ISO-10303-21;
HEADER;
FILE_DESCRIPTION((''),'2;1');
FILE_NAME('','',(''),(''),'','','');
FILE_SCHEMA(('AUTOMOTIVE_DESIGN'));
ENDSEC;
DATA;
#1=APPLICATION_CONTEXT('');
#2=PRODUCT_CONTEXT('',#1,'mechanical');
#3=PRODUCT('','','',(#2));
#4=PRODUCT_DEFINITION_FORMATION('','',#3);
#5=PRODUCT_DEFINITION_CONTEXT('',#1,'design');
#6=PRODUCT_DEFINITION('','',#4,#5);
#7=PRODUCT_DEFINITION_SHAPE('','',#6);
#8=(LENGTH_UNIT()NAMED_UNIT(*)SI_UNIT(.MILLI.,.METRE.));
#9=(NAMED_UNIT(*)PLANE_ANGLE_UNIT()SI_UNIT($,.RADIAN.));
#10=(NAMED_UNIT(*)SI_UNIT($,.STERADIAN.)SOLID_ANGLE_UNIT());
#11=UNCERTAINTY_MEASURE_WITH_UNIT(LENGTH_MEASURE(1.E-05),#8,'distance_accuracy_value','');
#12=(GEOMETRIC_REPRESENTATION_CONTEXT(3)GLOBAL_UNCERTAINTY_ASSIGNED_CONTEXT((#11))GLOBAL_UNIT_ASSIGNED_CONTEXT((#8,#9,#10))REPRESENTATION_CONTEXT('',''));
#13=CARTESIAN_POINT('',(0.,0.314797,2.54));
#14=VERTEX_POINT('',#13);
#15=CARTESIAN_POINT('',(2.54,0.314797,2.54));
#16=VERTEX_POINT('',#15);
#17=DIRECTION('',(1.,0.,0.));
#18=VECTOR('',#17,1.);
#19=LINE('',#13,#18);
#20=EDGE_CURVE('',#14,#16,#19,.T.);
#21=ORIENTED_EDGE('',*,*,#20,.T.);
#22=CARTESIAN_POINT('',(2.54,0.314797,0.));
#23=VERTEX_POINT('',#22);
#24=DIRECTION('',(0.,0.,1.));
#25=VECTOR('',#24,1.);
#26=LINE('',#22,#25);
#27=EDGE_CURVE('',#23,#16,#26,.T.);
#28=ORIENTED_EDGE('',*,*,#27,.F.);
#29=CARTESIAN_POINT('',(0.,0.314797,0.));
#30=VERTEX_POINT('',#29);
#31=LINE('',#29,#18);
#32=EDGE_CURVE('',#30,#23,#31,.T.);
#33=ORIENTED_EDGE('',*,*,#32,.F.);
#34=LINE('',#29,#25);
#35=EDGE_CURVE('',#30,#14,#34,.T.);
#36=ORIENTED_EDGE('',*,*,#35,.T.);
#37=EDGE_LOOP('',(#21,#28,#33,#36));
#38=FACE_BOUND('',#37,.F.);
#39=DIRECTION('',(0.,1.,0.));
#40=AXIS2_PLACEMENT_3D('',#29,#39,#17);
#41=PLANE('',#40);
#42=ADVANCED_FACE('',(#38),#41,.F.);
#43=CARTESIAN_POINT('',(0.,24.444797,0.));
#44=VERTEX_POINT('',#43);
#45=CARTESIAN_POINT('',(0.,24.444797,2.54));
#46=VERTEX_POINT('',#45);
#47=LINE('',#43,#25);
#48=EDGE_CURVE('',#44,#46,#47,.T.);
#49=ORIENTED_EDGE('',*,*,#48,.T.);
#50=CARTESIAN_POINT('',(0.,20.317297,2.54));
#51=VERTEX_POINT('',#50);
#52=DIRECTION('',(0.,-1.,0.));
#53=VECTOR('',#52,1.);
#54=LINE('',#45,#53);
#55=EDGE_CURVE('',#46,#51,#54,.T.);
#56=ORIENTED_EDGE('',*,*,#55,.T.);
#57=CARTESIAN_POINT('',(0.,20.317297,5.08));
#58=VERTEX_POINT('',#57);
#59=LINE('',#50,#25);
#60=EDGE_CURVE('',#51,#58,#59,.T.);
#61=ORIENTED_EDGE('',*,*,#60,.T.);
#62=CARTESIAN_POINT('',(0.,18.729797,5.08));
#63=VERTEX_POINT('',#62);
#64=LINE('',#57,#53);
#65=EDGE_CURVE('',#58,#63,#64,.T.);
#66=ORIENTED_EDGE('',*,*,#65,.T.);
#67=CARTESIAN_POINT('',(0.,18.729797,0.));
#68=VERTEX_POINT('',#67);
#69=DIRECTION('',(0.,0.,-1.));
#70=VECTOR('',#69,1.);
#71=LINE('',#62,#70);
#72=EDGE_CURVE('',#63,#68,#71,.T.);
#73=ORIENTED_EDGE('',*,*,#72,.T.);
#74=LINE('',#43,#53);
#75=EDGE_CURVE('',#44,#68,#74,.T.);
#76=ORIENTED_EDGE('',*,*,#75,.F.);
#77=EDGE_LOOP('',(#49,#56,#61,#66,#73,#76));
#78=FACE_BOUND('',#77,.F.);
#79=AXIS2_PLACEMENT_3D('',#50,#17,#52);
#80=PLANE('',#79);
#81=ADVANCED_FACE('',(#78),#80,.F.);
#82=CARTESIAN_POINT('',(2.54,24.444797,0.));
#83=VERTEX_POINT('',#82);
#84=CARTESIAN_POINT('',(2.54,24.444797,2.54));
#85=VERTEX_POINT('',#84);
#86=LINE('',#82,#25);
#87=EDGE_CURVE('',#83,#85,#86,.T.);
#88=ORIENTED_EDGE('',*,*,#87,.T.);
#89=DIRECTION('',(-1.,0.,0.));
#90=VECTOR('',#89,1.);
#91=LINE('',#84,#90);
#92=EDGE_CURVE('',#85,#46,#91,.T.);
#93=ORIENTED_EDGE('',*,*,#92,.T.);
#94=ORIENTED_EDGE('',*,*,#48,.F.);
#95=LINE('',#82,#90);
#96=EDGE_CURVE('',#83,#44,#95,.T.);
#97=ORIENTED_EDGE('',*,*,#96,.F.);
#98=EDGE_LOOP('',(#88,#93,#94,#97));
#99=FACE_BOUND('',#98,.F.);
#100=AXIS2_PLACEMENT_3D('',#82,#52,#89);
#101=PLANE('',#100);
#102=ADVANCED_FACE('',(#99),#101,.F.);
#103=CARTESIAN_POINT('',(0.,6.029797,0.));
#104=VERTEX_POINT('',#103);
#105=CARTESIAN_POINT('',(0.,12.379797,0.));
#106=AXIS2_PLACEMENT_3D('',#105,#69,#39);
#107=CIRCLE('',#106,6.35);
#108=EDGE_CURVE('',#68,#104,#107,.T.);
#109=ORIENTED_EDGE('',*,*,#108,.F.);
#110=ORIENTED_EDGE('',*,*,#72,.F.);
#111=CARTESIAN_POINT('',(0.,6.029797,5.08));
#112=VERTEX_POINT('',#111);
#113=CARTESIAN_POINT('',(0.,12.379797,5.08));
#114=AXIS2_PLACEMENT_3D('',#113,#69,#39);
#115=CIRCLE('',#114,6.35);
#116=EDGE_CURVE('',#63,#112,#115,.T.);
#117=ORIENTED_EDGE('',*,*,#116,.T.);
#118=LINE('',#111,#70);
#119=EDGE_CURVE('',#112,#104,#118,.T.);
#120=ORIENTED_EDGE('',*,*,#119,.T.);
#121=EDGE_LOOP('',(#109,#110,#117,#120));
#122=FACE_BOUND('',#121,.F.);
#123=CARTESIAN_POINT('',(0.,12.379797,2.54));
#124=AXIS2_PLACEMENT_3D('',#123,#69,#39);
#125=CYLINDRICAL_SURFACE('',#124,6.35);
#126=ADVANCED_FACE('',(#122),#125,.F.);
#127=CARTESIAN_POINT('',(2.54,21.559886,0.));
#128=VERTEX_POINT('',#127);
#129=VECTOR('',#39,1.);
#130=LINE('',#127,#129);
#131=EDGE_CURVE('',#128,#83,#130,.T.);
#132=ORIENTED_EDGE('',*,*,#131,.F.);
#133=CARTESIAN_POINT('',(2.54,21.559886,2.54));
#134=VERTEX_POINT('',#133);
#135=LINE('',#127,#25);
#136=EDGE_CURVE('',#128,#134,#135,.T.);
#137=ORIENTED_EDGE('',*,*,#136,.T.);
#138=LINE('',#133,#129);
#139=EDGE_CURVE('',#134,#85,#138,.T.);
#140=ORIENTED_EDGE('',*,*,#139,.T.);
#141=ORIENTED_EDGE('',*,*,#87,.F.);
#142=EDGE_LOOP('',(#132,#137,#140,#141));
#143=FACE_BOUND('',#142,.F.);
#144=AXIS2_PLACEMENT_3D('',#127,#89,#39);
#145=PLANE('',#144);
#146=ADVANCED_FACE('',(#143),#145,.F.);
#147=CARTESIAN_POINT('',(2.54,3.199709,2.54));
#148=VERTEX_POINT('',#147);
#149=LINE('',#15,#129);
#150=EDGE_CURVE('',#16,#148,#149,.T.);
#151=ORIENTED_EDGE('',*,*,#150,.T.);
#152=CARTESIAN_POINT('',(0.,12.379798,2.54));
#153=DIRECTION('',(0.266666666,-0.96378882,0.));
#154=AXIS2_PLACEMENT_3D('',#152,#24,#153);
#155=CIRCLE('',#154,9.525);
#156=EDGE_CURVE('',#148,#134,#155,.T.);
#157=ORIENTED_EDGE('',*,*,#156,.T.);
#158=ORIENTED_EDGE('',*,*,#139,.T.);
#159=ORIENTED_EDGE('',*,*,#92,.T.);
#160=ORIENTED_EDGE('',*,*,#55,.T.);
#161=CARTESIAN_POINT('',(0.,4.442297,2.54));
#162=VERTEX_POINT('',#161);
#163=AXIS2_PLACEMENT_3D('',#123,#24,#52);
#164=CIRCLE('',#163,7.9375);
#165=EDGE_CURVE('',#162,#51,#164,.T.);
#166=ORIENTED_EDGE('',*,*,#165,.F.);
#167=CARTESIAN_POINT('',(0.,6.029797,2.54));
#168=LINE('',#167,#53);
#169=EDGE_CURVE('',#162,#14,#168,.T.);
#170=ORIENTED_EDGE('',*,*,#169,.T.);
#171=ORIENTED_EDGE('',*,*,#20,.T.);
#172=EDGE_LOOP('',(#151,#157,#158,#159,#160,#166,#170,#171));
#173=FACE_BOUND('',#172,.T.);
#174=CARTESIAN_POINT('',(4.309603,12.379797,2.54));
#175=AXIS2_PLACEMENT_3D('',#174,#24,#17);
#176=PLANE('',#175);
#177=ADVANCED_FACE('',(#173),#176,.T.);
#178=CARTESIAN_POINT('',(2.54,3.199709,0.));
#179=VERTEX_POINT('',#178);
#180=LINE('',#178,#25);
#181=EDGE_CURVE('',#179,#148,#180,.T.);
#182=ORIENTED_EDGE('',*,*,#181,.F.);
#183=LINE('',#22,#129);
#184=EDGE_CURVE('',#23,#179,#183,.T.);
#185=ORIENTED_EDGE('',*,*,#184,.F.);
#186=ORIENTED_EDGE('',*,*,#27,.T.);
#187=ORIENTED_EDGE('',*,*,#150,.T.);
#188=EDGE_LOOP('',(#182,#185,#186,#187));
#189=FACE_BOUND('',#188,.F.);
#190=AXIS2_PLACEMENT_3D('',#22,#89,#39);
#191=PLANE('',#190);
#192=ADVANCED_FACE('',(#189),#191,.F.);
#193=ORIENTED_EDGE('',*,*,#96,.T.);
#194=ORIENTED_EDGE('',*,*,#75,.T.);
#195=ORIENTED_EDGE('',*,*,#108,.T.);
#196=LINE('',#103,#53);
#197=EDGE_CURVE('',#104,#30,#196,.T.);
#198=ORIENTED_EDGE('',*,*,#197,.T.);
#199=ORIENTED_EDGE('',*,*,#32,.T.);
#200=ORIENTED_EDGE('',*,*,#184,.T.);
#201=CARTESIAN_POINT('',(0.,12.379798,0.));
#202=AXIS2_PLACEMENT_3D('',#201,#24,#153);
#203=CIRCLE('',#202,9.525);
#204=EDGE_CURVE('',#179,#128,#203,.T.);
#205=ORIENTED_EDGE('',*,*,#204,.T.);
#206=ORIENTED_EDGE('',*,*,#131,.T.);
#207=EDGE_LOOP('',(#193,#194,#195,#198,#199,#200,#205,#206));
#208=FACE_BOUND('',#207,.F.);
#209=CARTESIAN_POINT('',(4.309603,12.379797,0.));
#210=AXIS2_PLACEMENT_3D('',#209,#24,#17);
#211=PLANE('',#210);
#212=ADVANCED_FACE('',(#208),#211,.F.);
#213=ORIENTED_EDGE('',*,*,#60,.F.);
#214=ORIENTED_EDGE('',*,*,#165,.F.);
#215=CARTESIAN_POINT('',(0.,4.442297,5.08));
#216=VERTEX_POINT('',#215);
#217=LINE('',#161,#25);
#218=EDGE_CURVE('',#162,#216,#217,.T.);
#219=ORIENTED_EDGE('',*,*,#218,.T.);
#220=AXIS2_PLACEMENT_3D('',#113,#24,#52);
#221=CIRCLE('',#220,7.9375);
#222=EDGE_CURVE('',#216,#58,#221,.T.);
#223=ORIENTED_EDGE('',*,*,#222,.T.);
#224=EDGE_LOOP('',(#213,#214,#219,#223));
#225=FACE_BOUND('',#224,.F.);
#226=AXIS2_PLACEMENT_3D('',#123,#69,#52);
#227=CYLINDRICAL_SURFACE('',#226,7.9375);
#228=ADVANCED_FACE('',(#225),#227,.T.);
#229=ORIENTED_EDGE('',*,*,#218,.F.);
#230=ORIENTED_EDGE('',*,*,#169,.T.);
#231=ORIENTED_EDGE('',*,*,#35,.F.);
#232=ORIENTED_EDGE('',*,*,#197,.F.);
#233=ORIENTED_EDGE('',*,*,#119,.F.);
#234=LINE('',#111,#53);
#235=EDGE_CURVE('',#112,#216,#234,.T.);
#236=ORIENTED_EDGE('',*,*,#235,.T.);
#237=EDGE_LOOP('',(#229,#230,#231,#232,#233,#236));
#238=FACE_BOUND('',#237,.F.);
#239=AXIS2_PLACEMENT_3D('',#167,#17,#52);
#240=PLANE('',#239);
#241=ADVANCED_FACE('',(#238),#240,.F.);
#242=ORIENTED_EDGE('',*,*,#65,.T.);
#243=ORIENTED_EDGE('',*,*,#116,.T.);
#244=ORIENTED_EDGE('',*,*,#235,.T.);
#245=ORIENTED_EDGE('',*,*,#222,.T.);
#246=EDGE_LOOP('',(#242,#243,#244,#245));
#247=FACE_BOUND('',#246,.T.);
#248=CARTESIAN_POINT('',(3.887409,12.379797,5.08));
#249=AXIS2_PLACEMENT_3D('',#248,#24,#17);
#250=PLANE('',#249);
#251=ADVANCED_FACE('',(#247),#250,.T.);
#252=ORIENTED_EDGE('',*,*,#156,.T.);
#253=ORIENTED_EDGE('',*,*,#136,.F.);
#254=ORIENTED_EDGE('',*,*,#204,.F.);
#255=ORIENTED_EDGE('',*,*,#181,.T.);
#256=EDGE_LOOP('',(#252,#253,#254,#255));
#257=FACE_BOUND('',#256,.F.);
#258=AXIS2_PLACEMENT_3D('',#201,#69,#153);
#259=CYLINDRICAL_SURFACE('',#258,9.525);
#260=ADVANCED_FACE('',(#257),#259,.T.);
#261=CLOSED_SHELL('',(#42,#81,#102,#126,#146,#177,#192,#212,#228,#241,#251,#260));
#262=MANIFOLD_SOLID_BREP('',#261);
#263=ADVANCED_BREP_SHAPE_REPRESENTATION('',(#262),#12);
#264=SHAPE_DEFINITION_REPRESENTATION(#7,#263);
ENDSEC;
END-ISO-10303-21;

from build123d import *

# Parameters (mm, degrees)
F1_DEPTH = 2.54
F3_DEPTH = 2.54


with BuildPart() as f1:
    # F0 (on Top) → F1 (new body)
    with BuildSketch(Plane.XY):
        with BuildLine():
            Line((0, 6.029797), (0, 2.854797))
            ThreePointArc((0, 2.854797), (1.281656, 2.941419), (2.54, 3.199709))
            ThreePointArc((2.54, 3.199709), (9.525, 12.379797), (2.54, 21.559886))
            ThreePointArc((2.54, 21.559886), (1.281656, 21.818175), (0, 21.904797))
            Line((0, 21.904797), (0, 18.729797))
            ThreePointArc((0, 18.729797), (6.35, 12.379797), (0, 6.029797))
        make_face()
        with BuildLine():
            ThreePointArc((2.54, 3.199709), (1.281656, 2.941419), (0, 2.854797))
            Line((0, 2.854797), (0, 0.314797))
            Line((0, 0.314797), (2.54, 0.314797))
            Line((2.54, 0.314797), (2.54, 3.199709))
        make_face()
        with BuildLine():
            ThreePointArc((0, 21.904797), (1.281656, 21.818175), (2.54, 21.559886))
            Line((2.54, 21.559886), (2.54, 24.444797))
            Line((2.54, 24.444797), (0, 24.444797))
            Line((0, 24.444797), (0, 21.904797))
        make_face()
    extrude(amount=F1_DEPTH)

    # F2 (on face) → F3 (join)
    with BuildSketch(Plane.XY.offset(2.54)):
        with BuildLine():
            Line((0, 6.029797), (0, 4.442297))
            ThreePointArc((0, 4.442297), (7.9375, 12.379797), (0, 20.317297))
            Line((0, 20.317297), (0, 18.729797))
            ThreePointArc((0, 18.729797), (6.35, 12.379797), (0, 6.029797))
        make_face()
    extrude(amount=F3_DEPTH)


solid = f1.part
